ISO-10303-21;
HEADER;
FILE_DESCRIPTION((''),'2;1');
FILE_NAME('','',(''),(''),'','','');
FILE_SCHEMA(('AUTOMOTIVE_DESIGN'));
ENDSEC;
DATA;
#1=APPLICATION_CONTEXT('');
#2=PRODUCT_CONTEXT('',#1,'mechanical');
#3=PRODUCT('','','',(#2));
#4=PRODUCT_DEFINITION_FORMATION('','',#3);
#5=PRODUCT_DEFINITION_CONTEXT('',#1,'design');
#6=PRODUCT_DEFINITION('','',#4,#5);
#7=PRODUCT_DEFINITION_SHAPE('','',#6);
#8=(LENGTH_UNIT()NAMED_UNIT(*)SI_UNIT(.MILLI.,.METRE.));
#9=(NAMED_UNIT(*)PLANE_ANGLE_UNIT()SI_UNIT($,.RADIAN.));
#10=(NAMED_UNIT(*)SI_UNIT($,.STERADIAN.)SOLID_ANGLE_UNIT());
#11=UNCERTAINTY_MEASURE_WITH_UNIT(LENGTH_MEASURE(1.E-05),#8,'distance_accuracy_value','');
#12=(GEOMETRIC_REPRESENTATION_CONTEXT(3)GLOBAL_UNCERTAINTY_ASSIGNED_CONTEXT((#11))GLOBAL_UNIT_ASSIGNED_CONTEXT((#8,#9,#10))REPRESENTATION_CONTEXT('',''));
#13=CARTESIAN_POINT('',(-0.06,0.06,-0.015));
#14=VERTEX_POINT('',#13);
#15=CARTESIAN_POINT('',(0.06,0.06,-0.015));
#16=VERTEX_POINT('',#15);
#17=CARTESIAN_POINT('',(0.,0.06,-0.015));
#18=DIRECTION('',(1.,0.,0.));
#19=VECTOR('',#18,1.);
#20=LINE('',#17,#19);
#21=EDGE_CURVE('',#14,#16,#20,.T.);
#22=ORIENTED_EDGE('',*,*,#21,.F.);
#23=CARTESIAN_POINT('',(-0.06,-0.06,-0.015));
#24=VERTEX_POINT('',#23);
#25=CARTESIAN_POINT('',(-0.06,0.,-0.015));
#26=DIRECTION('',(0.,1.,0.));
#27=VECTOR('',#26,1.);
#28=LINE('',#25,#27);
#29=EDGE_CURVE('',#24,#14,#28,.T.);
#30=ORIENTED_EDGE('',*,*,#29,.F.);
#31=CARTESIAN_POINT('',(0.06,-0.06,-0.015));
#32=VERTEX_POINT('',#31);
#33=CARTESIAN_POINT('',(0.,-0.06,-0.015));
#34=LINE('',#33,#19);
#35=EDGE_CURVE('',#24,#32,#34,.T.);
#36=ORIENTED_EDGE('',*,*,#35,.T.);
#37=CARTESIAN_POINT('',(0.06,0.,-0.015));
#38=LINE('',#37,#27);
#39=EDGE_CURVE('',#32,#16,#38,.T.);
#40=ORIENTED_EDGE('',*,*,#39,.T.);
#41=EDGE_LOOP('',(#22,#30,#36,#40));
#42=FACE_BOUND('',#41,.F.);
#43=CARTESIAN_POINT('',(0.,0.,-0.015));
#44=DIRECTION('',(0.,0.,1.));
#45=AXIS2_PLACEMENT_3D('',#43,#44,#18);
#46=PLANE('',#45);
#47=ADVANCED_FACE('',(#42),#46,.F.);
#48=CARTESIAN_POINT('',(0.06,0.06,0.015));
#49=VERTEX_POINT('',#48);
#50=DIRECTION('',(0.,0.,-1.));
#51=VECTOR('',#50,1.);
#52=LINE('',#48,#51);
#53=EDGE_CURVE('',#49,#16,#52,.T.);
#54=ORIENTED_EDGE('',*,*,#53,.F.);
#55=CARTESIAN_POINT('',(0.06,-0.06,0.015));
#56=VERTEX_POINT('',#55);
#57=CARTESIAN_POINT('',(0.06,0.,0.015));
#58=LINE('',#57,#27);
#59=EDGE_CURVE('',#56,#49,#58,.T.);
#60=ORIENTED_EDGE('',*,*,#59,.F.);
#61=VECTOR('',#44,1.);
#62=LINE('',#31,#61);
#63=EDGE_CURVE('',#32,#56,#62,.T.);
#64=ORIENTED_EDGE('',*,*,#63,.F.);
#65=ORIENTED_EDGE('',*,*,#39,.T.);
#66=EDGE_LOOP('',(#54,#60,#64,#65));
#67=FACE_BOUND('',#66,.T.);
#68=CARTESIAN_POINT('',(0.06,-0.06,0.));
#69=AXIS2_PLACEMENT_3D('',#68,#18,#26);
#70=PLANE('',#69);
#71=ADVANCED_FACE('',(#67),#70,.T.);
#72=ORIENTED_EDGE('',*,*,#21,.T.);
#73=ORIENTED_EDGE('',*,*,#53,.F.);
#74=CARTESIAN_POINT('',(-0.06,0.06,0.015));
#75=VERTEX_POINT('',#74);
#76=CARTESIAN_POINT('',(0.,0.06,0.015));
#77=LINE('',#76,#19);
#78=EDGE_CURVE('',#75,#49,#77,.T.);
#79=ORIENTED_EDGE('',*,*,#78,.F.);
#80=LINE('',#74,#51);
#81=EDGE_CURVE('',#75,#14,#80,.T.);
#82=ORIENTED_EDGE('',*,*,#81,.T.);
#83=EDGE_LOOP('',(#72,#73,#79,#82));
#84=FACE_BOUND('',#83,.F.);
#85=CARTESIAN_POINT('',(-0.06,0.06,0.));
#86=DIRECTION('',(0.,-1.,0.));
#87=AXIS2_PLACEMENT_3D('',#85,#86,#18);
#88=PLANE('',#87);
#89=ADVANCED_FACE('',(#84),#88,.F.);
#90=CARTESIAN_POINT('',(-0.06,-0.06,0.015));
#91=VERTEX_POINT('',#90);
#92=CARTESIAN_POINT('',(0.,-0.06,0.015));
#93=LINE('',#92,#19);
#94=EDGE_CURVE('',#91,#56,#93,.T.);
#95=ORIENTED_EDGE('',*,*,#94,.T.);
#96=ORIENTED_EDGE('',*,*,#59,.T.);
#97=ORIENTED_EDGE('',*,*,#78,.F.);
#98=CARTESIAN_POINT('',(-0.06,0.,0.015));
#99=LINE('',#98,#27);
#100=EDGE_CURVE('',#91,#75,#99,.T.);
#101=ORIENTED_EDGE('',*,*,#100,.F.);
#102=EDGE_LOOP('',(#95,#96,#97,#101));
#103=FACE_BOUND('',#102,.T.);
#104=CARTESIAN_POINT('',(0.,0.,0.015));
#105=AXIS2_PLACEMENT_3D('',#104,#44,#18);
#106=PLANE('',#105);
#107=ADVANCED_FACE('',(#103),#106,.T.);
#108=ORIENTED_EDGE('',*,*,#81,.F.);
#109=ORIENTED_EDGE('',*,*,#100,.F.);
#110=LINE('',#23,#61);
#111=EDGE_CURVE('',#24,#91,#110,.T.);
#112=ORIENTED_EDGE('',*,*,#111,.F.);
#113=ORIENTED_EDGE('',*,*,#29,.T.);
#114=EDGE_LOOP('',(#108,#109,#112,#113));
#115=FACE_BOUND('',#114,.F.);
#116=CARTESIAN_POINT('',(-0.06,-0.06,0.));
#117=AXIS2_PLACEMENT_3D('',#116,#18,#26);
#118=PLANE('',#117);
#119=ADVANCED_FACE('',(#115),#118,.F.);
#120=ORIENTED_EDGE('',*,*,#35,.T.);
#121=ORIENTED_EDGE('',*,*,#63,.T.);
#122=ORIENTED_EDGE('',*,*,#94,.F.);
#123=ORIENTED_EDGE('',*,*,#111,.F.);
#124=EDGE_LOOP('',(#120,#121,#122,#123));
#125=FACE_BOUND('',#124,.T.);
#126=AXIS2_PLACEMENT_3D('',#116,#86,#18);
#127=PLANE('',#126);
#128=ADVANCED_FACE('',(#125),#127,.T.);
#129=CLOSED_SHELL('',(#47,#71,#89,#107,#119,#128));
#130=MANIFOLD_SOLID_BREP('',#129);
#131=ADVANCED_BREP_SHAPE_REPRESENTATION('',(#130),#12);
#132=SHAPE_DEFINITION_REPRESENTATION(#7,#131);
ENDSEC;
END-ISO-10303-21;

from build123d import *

# Parameters (mm, degrees)
SKETCH_W  = 0.12
SKETCH_H  = 0.12
PAD_DEPTH = 0.015


with BuildPart() as part:
    # Sketch → Pad (new body, symmetric)
    with BuildSketch(Plane.XY):
        Rectangle(SKETCH_W, SKETCH_H)
    extrude(amount=PAD_DEPTH, both=True)


solid = part.part
